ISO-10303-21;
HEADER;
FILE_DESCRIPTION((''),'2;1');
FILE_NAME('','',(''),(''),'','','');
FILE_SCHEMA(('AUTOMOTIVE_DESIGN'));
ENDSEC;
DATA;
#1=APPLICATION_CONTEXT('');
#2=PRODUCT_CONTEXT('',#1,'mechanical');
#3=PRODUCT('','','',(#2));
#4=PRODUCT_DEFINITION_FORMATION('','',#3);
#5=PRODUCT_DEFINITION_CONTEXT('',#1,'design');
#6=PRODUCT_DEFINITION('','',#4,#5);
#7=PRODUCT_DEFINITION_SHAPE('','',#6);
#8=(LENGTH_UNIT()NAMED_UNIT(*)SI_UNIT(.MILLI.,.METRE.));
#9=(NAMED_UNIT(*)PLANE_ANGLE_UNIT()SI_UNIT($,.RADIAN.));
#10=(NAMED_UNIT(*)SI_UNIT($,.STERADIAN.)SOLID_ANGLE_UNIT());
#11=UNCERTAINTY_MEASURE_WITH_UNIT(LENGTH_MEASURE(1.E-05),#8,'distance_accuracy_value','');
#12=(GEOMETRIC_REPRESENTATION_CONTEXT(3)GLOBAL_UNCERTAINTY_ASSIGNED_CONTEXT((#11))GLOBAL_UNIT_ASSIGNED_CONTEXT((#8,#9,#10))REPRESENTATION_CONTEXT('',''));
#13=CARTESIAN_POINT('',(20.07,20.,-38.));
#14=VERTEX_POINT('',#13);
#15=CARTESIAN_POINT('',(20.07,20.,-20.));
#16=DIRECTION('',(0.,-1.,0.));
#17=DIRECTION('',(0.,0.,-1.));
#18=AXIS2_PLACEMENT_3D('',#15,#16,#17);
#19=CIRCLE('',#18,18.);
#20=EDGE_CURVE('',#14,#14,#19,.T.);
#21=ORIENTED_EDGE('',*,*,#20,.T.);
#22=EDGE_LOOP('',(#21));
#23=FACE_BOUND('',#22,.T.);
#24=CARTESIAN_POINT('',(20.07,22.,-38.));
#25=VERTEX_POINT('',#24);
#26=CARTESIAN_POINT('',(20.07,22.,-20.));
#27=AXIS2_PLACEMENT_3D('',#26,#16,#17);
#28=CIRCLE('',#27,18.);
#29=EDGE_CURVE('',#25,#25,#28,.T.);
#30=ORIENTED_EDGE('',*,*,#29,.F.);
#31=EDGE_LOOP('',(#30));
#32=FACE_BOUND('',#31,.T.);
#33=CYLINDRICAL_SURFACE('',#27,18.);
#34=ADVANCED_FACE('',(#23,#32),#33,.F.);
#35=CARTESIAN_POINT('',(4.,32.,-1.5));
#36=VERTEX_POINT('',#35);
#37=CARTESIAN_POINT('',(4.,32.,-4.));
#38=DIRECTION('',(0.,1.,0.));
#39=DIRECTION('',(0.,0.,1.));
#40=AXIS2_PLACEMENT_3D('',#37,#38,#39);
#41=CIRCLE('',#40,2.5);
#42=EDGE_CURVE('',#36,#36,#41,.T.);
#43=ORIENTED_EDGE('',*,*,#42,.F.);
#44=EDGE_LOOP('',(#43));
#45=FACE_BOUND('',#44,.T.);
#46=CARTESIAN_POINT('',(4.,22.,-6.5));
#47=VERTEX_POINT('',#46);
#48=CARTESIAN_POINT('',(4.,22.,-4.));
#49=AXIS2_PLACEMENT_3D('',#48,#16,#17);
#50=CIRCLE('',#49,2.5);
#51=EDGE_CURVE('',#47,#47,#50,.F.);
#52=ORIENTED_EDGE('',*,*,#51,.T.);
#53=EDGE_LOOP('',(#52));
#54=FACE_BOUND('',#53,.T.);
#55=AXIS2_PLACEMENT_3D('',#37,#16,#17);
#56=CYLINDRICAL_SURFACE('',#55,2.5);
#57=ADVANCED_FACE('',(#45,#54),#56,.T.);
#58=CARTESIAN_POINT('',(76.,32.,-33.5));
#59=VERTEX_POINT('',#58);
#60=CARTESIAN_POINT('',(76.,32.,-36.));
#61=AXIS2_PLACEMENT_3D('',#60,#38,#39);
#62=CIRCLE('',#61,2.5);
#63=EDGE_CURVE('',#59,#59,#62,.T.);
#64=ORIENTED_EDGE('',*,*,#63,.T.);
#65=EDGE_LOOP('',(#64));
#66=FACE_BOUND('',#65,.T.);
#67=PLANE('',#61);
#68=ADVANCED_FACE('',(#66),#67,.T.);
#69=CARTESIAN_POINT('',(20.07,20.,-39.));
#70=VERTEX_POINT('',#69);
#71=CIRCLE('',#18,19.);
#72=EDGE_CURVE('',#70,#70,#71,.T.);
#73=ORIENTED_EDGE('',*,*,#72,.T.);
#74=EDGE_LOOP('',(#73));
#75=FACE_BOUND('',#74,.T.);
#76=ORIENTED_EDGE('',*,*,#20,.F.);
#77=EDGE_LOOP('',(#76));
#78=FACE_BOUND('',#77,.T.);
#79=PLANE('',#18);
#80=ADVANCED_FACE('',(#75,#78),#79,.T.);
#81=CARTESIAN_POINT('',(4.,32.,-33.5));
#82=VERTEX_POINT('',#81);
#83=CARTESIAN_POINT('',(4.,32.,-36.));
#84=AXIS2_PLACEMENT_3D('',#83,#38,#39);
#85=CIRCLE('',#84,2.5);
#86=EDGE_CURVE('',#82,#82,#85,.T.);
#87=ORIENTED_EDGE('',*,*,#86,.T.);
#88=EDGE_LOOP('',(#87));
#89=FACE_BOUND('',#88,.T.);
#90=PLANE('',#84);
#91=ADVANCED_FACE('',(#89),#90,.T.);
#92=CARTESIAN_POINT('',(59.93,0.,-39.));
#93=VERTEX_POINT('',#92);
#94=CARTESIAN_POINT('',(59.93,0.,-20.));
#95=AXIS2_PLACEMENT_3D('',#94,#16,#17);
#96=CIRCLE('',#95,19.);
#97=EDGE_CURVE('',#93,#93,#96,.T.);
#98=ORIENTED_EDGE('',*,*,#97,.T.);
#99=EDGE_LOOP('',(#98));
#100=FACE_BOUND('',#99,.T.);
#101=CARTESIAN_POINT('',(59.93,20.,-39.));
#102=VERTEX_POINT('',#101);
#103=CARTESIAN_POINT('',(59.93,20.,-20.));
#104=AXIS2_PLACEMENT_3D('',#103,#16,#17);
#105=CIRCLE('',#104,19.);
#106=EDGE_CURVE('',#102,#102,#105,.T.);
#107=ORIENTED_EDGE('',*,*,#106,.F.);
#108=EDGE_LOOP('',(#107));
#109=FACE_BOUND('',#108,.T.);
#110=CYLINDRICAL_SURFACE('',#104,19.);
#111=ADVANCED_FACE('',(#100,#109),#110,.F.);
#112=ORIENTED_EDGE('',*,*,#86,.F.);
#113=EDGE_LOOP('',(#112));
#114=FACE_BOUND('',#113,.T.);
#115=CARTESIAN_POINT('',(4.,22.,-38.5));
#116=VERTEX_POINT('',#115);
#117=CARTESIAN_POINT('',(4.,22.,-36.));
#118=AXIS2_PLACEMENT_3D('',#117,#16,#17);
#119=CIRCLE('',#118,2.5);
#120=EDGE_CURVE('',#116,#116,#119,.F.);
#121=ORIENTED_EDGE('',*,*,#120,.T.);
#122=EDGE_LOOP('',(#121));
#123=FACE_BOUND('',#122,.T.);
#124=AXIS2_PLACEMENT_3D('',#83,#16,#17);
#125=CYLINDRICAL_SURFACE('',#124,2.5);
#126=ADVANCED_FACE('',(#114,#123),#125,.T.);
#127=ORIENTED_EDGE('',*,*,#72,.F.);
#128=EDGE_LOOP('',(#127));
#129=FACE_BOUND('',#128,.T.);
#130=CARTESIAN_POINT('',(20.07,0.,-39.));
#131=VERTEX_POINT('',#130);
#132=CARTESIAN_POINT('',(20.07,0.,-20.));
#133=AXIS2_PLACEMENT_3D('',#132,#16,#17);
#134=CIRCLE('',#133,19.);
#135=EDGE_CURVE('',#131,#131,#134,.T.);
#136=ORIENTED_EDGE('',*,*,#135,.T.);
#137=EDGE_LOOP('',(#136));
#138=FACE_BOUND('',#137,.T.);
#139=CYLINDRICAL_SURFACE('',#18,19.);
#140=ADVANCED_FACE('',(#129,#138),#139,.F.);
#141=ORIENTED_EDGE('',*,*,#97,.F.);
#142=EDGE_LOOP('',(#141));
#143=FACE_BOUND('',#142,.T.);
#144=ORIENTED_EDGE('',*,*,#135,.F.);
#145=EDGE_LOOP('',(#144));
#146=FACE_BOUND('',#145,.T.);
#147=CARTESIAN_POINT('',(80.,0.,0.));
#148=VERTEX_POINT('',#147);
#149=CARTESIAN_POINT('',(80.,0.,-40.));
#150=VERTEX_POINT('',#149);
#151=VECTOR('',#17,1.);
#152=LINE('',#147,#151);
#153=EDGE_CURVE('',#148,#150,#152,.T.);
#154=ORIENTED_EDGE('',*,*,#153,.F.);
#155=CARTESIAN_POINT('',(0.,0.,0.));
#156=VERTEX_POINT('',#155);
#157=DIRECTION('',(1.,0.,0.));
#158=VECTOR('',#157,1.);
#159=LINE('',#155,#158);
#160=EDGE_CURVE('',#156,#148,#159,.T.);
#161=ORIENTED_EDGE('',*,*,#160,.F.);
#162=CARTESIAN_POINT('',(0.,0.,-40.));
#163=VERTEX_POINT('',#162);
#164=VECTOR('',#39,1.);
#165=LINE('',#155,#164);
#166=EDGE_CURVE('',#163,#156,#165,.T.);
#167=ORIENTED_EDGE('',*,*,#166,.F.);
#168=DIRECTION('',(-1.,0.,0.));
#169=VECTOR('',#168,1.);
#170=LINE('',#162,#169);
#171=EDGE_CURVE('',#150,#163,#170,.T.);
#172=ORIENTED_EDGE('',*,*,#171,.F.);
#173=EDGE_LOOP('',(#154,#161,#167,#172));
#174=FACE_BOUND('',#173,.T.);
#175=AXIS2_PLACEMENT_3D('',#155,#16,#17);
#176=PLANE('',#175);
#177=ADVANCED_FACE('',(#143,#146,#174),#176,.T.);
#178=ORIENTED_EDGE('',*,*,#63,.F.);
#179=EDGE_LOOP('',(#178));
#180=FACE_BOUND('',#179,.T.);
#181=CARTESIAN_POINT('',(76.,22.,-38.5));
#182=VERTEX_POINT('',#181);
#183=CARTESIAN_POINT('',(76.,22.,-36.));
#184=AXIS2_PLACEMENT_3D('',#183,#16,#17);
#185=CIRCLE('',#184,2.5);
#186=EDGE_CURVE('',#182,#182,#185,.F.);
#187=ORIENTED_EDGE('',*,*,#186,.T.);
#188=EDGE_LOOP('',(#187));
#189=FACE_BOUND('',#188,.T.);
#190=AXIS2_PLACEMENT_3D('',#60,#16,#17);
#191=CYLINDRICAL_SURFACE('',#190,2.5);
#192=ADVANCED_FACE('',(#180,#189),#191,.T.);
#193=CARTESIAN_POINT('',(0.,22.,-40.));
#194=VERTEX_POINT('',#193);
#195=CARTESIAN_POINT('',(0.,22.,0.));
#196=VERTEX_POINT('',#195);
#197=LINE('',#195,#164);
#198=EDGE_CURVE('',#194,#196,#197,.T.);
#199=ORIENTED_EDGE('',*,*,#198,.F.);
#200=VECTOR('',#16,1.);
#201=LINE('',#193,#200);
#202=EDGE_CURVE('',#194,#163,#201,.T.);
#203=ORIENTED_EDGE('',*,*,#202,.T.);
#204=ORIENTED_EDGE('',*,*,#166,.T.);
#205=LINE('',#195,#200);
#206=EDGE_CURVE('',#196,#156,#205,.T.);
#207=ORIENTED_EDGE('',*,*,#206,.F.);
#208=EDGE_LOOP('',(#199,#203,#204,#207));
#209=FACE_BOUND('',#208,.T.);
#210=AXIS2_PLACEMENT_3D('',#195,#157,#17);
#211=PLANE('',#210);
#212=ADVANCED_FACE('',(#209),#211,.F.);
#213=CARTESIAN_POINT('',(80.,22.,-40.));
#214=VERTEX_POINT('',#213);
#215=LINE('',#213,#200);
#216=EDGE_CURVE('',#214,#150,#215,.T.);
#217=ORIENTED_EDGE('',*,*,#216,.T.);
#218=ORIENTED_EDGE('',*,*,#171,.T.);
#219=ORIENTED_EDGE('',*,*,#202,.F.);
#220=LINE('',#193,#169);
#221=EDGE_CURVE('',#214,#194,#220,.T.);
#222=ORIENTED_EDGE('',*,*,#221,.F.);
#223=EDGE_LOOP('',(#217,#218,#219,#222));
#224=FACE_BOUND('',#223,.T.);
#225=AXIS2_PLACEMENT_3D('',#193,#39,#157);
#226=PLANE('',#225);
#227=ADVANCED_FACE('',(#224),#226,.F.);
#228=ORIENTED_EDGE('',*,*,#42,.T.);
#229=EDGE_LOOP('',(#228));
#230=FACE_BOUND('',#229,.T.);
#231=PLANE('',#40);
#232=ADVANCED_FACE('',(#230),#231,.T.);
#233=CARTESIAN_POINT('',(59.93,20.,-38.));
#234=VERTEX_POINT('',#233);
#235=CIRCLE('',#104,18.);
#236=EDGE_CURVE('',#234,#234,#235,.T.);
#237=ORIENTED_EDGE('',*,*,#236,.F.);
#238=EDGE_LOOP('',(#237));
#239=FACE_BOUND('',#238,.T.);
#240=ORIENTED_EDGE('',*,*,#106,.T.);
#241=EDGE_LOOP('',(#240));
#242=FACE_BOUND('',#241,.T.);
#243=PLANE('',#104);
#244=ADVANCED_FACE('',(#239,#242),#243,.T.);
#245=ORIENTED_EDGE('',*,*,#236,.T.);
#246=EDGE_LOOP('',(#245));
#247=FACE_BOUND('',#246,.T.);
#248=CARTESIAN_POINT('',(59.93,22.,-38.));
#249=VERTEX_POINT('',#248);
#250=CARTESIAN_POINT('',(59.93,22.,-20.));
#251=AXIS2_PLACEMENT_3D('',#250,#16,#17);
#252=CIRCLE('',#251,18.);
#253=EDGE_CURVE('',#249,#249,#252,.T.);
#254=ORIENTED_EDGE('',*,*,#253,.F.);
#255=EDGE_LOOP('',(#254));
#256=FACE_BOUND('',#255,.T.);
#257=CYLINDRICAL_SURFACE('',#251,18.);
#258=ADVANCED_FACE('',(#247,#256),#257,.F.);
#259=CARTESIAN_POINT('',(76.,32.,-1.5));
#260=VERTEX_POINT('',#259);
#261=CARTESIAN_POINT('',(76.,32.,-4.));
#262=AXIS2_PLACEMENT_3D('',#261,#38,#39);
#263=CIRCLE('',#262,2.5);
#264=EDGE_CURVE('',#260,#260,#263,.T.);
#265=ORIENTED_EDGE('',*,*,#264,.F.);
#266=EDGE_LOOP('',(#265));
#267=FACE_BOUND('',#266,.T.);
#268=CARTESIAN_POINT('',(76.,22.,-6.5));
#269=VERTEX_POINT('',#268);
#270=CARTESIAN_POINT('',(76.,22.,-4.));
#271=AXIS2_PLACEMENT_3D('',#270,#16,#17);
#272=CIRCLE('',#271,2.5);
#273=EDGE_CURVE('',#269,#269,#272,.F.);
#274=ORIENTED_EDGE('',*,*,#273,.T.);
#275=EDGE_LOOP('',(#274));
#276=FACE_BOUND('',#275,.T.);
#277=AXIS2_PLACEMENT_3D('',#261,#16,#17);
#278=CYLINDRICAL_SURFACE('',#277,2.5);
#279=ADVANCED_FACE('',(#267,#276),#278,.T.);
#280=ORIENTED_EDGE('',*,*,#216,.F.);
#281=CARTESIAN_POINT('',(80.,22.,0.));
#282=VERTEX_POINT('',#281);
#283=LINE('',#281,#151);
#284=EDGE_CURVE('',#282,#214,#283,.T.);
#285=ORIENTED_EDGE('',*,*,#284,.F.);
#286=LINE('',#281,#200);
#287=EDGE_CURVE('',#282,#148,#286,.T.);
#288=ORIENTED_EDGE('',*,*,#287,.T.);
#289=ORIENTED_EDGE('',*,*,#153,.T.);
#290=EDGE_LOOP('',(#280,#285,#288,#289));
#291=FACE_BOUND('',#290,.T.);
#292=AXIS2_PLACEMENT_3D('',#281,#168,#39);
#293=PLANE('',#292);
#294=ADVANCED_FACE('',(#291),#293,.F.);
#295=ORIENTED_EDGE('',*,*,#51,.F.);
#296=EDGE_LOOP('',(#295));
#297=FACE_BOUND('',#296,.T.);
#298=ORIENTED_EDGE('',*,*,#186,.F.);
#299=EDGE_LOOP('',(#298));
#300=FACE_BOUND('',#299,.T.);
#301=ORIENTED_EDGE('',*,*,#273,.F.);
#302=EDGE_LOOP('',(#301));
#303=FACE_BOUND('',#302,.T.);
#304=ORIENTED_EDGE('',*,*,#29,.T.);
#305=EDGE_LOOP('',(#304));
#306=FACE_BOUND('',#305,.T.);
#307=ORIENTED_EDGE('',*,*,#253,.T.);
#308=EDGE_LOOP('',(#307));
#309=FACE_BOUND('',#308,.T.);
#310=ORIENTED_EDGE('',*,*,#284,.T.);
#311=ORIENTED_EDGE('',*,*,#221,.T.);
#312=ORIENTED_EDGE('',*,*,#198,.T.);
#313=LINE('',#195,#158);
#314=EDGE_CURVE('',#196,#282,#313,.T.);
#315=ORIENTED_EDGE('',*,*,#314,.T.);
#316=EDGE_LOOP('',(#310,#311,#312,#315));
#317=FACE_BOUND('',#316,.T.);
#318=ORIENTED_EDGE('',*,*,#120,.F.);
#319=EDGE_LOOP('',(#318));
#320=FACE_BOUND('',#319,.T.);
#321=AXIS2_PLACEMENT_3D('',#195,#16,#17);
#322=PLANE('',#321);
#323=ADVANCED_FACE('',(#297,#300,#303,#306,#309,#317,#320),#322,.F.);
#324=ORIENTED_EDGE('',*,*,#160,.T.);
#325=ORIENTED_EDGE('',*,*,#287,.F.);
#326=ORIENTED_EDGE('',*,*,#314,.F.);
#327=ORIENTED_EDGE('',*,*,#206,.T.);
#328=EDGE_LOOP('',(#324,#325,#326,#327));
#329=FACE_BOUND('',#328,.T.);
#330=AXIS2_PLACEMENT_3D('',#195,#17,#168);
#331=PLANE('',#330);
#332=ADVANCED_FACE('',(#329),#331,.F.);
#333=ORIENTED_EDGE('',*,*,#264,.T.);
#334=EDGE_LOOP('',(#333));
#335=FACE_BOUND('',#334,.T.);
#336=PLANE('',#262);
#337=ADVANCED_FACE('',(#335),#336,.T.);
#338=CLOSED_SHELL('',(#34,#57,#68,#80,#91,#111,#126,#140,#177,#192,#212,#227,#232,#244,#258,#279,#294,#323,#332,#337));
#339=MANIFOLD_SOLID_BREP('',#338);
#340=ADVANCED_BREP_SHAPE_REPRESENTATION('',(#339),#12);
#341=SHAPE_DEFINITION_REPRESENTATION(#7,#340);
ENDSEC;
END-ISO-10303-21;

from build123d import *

# Parameters (mm, degrees)
SKETCH1_W           = 80
SKETCH1_H           = 40
BOSS_EXTRUDE1_DEPTH = 22
SKETCH2_R           = 19
CUT_EXTRUDE1_DEPTH  = 20
SKETCH3_R           = 17.999999941
CUT_EXTRUDE2_DEPTH  = 92.651513899
SKETCH4_R           = 2.5
BOSS_EXTRUDE2_DEPTH = 10


with BuildPart() as part:
    # Sketch1 → Boss-Extrude1 (new body)
    with BuildSketch(Plane(origin=(0, 0, 0), x_dir=(1, 0, 0), z_dir=(0, 1, 0))):
        with Locations((40, 20)):
            Rectangle(SKETCH1_W, SKETCH1_H)
    extrude(amount=BOSS_EXTRUDE1_DEPTH)

    # Sketch2 → Cut-Extrude1 (cut)
    with BuildSketch(Plane.XZ):
        with Locations(Location((20.07, -20, 0), (0, 0, 270))):
            Circle(SKETCH2_R)
        with Locations(Location((59.93, -20, 0), (0, 0, 270))):
            Circle(SKETCH2_R)
    extrude(amount=-CUT_EXTRUDE1_DEPTH, mode=Mode.SUBTRACT)

    # Sketch3 → Cut-Extrude2 (cut, through all)
    with BuildSketch(Plane.XZ.offset(-20)):
        with Locations(Location((20.07, -20, 0), (0, 0, 270))):
            Circle(SKETCH3_R)
        with Locations(Location((59.93, -20, 0), (0, 0, 270))):
            Circle(SKETCH3_R)
    extrude(amount=-CUT_EXTRUDE2_DEPTH, mode=Mode.SUBTRACT)

    # Sketch4 → Boss-Extrude2 (add)
    with BuildSketch(Plane(origin=(0, 22, 0), x_dir=(1, 0, 0), z_dir=(0, 1, 0))):
        with Locations(Location((4, 36, 0), (0, 0, 90))):
            Circle(SKETCH4_R)
        with Locations(Location((76, 36, 0), (0, 0, 90))):
            Circle(SKETCH4_R)
        with Locations(Location((76, 4, 0), (0, 0, 90))):
            Circle(SKETCH4_R)
        with Locations(Location((4, 4, 0), (0, 0, 90))):
            Circle(SKETCH4_R)
    extrude(amount=BOSS_EXTRUDE2_DEPTH)


solid = part.part
